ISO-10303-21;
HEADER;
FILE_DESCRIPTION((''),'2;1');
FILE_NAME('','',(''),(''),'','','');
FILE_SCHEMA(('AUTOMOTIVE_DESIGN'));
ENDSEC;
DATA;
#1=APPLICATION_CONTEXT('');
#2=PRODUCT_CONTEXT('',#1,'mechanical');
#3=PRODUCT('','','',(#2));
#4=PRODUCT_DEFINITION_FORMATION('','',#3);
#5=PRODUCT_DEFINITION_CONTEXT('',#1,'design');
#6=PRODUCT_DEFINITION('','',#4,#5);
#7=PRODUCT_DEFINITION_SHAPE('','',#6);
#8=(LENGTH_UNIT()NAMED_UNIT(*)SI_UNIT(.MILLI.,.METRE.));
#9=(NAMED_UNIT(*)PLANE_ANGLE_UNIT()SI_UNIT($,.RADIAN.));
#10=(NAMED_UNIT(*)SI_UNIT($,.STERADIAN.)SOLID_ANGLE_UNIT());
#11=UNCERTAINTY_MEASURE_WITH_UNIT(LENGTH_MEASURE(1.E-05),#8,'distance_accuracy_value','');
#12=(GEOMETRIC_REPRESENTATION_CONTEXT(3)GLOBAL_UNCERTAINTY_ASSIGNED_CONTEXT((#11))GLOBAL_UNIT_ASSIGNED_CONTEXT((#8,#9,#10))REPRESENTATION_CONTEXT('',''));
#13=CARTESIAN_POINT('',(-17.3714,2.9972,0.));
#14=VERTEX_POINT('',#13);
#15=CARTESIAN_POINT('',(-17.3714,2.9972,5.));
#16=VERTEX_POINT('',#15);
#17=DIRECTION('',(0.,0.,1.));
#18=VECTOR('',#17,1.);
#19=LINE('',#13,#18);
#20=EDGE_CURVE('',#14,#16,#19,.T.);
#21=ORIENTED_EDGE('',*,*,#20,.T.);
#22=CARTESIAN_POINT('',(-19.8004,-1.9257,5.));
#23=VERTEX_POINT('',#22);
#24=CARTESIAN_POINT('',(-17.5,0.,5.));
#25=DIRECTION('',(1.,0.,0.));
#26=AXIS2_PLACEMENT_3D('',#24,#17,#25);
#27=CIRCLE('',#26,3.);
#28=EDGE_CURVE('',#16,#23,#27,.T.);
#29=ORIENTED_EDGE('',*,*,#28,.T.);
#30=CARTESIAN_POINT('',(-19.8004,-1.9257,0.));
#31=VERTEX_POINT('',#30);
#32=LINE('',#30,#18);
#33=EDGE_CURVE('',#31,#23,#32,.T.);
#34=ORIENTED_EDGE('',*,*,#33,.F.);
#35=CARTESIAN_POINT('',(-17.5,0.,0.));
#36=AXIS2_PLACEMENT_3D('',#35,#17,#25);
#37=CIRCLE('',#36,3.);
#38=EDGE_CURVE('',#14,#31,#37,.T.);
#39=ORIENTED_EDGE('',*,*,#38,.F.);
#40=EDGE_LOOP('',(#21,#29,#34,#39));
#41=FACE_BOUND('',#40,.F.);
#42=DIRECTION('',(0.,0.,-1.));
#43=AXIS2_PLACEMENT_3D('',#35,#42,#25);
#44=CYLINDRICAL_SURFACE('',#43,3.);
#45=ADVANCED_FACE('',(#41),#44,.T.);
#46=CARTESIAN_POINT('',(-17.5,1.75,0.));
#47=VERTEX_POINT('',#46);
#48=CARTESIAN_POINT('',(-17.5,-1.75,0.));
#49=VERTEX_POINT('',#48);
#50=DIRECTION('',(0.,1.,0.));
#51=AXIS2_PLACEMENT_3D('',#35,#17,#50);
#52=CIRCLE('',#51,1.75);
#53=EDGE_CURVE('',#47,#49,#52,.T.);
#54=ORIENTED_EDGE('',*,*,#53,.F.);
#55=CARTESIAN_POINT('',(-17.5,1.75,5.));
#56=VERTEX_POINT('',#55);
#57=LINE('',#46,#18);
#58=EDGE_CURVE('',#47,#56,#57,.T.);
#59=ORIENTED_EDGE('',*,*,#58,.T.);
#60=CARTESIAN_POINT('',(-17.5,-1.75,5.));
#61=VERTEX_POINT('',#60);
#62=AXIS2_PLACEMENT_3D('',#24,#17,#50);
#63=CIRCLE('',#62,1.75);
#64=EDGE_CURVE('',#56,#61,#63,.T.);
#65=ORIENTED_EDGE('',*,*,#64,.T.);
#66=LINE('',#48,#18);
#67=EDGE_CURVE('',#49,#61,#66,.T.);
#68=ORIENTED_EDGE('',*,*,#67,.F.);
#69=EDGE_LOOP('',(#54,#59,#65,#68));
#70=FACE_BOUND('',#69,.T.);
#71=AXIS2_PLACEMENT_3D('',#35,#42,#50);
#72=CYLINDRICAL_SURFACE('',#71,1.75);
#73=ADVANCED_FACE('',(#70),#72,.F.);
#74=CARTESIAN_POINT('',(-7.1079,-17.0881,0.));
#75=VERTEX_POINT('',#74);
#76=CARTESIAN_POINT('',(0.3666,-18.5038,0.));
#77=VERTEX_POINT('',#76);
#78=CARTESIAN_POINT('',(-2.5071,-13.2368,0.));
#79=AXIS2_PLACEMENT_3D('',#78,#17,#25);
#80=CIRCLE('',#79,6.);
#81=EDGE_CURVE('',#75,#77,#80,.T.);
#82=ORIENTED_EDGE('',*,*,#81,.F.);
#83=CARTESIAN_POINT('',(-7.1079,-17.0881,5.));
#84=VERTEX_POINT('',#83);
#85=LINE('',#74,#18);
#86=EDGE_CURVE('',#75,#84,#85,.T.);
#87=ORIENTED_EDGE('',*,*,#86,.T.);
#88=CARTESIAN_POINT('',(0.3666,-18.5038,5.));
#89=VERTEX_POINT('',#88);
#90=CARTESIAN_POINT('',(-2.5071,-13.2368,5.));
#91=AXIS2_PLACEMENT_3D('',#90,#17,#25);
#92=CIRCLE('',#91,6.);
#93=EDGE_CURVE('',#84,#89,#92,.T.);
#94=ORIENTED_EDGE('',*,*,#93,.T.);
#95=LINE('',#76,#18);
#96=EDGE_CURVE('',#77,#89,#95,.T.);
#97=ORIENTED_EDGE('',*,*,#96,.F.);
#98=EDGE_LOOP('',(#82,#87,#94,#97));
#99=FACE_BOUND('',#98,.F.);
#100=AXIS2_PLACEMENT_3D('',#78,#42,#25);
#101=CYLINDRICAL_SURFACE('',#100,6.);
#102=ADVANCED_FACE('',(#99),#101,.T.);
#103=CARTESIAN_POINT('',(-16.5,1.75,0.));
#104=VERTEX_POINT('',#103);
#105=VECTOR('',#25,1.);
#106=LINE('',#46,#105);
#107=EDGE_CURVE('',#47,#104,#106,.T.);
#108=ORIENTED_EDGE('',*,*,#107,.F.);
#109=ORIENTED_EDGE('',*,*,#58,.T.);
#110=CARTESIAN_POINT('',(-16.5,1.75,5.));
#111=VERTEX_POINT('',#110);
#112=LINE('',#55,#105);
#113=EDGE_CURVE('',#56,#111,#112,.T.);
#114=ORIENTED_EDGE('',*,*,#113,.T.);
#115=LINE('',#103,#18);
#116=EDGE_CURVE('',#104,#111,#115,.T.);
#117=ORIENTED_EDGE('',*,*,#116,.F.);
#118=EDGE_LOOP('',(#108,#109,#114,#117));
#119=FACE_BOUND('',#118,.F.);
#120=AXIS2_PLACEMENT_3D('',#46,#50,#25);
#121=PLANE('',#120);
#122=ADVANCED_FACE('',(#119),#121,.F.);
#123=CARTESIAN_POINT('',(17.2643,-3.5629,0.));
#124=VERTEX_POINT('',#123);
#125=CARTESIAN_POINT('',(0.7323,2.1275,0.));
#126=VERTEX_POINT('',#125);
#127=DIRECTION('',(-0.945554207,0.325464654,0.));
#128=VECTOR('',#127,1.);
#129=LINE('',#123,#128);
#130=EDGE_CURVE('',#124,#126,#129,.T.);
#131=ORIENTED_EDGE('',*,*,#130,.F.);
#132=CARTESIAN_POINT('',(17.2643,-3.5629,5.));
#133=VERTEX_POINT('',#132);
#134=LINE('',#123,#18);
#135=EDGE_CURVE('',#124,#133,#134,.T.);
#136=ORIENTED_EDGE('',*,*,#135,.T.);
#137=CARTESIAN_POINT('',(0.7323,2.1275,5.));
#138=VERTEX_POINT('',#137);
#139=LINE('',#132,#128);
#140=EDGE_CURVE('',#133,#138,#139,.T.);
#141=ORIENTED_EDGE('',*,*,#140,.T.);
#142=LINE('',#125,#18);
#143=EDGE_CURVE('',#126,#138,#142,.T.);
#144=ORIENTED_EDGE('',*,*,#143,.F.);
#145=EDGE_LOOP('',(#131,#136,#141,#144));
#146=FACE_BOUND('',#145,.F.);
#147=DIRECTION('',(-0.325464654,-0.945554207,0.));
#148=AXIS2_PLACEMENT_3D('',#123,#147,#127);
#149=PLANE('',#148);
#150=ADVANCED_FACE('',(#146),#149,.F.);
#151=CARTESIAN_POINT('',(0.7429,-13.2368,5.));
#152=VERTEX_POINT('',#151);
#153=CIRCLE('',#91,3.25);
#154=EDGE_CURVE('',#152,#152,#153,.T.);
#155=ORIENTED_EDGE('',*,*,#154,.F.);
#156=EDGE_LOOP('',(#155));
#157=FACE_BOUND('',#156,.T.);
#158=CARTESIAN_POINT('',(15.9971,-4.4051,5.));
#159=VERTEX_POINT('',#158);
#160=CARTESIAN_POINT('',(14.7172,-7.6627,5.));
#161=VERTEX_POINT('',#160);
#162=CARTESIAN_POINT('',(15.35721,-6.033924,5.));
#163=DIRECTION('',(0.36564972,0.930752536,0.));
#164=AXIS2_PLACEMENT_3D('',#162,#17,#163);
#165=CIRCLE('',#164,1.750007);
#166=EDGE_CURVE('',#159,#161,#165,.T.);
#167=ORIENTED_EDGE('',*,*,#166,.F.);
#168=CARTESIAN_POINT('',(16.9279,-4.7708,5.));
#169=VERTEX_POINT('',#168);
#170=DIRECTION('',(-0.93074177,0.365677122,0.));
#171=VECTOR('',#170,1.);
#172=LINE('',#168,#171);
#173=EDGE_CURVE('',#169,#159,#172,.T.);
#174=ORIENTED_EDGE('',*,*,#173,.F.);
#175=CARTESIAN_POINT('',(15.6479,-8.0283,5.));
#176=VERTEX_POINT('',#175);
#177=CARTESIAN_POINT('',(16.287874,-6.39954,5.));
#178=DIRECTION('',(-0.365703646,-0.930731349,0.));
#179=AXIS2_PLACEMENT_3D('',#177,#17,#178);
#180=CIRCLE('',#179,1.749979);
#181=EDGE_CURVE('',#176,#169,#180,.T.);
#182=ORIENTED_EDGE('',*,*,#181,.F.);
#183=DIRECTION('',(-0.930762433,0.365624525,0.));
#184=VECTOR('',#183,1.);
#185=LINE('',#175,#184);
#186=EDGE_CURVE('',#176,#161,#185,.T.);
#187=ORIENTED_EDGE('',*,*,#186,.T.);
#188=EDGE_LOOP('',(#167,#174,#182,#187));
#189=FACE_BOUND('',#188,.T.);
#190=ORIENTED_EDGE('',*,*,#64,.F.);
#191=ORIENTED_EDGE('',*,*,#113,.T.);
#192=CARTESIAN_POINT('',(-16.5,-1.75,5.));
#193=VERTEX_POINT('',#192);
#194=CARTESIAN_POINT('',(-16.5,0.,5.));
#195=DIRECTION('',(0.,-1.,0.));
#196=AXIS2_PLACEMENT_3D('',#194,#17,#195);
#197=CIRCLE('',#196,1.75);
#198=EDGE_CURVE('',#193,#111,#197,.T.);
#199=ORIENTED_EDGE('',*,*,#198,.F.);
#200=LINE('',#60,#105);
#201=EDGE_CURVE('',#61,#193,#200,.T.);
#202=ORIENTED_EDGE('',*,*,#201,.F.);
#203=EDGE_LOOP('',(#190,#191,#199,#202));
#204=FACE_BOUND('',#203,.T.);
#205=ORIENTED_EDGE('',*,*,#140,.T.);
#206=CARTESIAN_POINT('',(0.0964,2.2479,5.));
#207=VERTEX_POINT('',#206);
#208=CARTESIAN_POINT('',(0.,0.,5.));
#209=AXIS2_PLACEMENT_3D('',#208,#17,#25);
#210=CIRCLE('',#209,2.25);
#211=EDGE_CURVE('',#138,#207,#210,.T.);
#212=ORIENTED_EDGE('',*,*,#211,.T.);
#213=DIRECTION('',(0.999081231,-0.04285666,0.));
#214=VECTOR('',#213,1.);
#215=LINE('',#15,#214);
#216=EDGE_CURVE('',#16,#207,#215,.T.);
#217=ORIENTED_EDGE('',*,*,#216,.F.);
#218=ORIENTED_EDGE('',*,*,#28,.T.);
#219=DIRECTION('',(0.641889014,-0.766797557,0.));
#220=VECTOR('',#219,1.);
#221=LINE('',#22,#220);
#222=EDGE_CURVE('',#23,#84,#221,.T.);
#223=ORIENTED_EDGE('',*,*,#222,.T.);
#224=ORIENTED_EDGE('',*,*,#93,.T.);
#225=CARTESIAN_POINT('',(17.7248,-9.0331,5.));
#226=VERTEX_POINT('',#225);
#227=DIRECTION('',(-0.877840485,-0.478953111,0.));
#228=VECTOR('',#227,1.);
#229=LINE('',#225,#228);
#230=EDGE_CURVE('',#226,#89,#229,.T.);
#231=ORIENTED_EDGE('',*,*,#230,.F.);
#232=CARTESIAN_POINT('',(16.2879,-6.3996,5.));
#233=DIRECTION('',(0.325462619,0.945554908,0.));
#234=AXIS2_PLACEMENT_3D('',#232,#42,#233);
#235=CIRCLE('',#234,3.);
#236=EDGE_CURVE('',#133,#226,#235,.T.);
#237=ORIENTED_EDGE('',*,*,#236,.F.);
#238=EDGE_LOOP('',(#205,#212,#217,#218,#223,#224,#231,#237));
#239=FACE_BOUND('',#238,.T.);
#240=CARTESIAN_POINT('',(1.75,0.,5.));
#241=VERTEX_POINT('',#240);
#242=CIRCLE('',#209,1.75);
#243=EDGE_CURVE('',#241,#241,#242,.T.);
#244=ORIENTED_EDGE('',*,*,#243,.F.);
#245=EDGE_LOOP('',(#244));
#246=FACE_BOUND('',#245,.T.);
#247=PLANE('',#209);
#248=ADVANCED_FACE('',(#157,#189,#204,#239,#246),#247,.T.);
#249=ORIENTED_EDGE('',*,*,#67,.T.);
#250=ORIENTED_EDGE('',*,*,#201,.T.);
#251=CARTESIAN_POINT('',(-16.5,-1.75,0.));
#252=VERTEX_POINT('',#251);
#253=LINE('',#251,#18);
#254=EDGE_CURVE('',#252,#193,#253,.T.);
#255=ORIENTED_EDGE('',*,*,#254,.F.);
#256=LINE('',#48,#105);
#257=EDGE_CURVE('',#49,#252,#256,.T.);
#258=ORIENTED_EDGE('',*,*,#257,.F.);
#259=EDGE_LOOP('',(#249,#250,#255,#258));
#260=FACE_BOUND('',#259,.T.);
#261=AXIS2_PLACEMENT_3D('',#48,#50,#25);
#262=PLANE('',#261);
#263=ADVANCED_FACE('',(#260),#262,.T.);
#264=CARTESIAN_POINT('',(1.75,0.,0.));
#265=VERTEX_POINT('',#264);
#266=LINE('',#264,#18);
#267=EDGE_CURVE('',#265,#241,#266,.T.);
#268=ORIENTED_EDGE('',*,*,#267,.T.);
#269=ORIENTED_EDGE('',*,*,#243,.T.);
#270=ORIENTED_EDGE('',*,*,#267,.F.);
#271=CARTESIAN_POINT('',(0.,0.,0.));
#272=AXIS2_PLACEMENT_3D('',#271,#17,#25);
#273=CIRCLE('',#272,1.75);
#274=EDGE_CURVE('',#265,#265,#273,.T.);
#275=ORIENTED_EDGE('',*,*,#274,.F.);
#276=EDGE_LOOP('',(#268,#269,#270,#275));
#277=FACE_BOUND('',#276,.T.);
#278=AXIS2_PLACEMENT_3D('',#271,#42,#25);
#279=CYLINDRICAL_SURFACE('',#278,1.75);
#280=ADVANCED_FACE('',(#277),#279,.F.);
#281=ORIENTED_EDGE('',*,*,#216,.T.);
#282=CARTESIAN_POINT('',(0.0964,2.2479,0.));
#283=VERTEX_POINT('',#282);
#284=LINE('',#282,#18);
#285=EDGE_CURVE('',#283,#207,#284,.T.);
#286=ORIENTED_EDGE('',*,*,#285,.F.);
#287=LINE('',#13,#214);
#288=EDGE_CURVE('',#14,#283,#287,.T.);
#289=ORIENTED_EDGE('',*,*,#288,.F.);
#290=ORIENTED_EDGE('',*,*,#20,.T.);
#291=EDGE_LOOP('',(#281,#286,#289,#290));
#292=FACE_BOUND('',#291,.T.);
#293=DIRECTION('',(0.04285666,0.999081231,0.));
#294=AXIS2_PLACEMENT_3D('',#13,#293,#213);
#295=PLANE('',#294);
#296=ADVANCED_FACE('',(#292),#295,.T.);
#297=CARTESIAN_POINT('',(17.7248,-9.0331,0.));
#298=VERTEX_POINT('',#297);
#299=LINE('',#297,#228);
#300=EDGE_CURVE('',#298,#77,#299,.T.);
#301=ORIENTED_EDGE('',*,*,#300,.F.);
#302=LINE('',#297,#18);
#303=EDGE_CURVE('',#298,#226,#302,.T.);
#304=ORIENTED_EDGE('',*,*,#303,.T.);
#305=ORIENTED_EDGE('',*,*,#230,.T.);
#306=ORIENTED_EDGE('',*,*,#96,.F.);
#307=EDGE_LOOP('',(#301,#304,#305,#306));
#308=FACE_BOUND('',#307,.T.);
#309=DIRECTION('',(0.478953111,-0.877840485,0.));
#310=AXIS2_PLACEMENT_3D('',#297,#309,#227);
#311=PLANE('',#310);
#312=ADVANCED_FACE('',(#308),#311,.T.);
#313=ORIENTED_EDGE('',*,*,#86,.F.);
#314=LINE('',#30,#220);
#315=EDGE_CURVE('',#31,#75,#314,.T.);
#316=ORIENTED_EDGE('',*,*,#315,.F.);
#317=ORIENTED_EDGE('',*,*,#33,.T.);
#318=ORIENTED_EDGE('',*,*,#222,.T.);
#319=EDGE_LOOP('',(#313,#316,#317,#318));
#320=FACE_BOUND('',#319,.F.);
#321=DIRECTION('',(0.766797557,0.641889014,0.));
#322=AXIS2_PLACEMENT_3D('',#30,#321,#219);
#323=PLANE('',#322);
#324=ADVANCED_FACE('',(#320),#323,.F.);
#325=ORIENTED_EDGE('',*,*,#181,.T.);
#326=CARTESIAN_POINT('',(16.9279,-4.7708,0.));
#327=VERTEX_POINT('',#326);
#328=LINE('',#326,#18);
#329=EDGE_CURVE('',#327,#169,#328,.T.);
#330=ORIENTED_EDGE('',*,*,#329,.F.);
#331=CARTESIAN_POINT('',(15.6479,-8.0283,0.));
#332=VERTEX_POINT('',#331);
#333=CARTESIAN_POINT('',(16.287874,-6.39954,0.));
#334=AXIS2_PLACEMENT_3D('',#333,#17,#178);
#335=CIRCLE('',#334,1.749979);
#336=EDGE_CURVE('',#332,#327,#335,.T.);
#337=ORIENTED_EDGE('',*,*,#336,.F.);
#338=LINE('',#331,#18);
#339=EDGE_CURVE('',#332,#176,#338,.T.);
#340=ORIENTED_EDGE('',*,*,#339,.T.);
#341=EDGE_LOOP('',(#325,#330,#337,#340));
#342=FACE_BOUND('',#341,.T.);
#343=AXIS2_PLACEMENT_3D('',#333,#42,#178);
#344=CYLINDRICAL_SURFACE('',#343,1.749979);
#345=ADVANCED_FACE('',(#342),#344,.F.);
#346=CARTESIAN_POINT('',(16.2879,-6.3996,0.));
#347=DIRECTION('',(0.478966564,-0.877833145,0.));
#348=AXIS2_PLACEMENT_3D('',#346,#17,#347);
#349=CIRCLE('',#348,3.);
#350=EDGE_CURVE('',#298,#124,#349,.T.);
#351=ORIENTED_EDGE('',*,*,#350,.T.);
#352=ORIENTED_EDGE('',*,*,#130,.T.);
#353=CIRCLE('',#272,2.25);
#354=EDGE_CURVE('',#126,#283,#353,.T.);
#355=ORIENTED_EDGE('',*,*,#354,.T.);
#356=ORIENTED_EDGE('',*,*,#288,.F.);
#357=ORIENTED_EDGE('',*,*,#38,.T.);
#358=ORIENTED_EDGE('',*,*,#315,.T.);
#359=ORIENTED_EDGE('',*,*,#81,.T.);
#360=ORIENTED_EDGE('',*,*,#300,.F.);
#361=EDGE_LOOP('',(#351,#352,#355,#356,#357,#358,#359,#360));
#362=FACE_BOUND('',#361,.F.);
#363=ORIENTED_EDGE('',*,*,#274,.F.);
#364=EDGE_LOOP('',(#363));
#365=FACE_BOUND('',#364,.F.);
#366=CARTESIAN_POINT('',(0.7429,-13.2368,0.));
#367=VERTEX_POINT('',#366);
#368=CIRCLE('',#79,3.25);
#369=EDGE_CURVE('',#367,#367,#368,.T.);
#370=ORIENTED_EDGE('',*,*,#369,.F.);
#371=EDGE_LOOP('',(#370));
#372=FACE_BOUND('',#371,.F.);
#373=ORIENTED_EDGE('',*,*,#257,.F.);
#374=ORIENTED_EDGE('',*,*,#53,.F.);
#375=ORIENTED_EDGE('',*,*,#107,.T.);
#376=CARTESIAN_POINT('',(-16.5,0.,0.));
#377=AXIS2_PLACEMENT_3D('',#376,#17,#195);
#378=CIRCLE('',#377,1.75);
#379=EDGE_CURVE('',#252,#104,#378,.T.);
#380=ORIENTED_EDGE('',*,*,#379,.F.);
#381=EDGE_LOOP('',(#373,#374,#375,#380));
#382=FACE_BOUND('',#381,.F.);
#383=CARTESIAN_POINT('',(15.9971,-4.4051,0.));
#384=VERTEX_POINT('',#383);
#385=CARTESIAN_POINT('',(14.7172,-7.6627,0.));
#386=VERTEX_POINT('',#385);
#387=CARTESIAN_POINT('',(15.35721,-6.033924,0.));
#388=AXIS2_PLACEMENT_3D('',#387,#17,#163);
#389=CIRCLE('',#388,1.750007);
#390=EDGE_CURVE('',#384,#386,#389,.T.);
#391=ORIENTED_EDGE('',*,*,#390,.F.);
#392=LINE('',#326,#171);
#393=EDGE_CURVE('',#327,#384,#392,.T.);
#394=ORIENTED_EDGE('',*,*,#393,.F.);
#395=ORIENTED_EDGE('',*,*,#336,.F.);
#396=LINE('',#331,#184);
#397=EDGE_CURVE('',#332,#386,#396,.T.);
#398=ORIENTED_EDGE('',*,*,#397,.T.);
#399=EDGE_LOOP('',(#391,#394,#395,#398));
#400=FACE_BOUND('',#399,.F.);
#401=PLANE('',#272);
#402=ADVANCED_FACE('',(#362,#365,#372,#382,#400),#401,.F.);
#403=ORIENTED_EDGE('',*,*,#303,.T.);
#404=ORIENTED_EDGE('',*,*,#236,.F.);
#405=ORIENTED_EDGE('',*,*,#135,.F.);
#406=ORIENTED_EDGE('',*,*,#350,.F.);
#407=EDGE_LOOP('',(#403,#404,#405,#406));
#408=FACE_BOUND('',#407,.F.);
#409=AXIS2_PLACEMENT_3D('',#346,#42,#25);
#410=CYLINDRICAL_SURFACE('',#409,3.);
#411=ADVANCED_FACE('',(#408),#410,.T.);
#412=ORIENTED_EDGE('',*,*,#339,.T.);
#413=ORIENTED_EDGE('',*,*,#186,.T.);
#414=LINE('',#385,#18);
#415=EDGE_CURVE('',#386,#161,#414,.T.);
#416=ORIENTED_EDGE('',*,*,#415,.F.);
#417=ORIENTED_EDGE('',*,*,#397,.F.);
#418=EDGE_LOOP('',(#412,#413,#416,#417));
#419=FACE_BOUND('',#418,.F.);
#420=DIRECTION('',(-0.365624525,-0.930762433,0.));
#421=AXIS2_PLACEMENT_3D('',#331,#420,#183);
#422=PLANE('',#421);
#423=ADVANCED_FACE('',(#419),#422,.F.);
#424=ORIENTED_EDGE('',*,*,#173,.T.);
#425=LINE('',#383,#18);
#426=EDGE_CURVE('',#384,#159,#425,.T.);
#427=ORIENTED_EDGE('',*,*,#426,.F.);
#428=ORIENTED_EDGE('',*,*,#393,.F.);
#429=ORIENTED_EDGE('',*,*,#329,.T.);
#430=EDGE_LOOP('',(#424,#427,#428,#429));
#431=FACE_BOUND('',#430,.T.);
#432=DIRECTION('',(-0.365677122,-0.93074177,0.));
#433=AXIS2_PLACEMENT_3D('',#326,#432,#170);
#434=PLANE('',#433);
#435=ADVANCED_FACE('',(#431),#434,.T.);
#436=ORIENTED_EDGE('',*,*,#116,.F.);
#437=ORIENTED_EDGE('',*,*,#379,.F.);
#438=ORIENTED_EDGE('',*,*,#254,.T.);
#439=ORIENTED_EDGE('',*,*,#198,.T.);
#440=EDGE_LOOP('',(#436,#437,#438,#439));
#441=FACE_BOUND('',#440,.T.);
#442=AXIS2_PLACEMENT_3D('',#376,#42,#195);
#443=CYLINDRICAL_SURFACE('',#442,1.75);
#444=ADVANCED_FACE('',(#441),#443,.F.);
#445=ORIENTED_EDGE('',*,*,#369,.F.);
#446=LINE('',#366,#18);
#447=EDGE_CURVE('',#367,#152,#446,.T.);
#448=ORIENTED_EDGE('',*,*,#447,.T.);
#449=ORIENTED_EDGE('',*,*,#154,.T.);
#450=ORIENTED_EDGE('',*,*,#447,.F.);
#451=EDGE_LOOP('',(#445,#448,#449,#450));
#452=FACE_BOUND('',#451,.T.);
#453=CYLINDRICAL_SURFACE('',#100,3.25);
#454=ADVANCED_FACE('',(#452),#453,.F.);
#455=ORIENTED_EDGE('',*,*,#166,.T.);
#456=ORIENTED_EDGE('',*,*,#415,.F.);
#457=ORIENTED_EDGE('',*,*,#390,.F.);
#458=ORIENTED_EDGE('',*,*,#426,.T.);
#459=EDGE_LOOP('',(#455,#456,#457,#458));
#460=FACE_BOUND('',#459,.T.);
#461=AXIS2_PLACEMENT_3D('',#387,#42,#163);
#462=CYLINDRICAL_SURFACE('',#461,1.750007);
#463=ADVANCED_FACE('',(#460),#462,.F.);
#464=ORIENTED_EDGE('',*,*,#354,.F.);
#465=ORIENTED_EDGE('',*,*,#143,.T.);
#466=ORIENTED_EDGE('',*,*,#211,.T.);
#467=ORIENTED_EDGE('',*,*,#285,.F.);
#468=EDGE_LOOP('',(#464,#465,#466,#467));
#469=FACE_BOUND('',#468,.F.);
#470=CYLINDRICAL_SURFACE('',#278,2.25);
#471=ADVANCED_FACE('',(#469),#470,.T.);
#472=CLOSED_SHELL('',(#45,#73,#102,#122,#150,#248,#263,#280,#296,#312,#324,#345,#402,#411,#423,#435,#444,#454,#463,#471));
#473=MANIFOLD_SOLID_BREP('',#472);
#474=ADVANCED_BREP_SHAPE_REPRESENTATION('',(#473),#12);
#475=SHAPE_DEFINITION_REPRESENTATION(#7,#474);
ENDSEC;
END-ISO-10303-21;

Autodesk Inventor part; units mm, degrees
ref_plane "YZ Plane" through (0, 0, 0) normal (1, 0, 0) x (0, 1, 0)
ref_plane "XZ Plane" through (0, 0, 0) normal (0, 1, 0) x (-1, 0, 0)
ref_plane "XY Plane" through (0, 0, 0) normal (0, 0, 1) x (1, 0, 0)
sketch "Sketch1" plane through (0, 0, 0) normal (0, 0, 1) x (1, 0, 0)
  circle A0 centre (0, 0) radius 1.75
  arc A1 (-16.5, -1.75) -> (-16.5, 1.75) centre (-16.5, 0) ccw
  arc A2 (-17.5, 1.75) -> (-17.5, -1.75) centre (-17.5, 0) ccw
  line L0 (-17.5, 1.75) -> (-16.5, 1.75)
  line L1 (-17.5, -1.75) -> (-16.5, -1.75)
  arc A3 (15.9971, -4.4051) -> (14.7172, -7.6627) centre (15.3572, -6.0339) ccw
  arc A4 (15.6479, -8.0283) -> (16.9279, -4.7708) centre (16.2879, -6.3996) ccw
  line L2 (15.6479, -8.0283) -> (14.7172, -7.6627)
  line L3 (16.9279, -4.7708) -> (15.9971, -4.4051)
  circle A5 centre (16.2879, -6.3996) radius 3
  circle A6 centre (-17.5, 0) radius 3
  circle A7 centre (0, 0) radius 2.25
  line L4 (-17.3714, 2.9972) -> (0.0964, 2.2479)
  line L5 (17.2643, -3.5629) -> (0.7323, 2.1275)
  line L6 (-17.6714, -2.9951) -> (-2.0561, -3.8889)
  line L7 (15.3522, -9.2499) -> (0.4916, -4.3714)
  arc A8 (0.4916, -4.3714) -> (-2.0561, -3.8889) centre (-2.6275, -13.8725) ccw
  circle A9 centre (-2.5071, -13.2368) radius 3.25
  circle A10 centre (-2.5071, -13.2368) radius 6
  line L8 (-19.8004, -1.9257) -> (-7.1079, -17.0881)
  line L9 (17.7248, -9.0331) -> (0.3666, -18.5038)
  dimension "d0" = 3.5
  dimension "d1" = 3.5
  dimension "d2" = 3.5
  dimension "d5" = 158.55
  dimension "d7" = 6
  dimension "d9" = 6
  dimension "d10" = 4.5
  dimension "d11" = 10
  dimension "d14" = 0
  dimension "d15" = 0
  dimension "d18" = 6.5
  dimension "d19" = 12
  dimension "d20" = 20
  dimension "d21" = 20
extrude "Extrusion1" add sketch "Sketch1" along normal blind 5
properties part number "CoinLockOpener"
